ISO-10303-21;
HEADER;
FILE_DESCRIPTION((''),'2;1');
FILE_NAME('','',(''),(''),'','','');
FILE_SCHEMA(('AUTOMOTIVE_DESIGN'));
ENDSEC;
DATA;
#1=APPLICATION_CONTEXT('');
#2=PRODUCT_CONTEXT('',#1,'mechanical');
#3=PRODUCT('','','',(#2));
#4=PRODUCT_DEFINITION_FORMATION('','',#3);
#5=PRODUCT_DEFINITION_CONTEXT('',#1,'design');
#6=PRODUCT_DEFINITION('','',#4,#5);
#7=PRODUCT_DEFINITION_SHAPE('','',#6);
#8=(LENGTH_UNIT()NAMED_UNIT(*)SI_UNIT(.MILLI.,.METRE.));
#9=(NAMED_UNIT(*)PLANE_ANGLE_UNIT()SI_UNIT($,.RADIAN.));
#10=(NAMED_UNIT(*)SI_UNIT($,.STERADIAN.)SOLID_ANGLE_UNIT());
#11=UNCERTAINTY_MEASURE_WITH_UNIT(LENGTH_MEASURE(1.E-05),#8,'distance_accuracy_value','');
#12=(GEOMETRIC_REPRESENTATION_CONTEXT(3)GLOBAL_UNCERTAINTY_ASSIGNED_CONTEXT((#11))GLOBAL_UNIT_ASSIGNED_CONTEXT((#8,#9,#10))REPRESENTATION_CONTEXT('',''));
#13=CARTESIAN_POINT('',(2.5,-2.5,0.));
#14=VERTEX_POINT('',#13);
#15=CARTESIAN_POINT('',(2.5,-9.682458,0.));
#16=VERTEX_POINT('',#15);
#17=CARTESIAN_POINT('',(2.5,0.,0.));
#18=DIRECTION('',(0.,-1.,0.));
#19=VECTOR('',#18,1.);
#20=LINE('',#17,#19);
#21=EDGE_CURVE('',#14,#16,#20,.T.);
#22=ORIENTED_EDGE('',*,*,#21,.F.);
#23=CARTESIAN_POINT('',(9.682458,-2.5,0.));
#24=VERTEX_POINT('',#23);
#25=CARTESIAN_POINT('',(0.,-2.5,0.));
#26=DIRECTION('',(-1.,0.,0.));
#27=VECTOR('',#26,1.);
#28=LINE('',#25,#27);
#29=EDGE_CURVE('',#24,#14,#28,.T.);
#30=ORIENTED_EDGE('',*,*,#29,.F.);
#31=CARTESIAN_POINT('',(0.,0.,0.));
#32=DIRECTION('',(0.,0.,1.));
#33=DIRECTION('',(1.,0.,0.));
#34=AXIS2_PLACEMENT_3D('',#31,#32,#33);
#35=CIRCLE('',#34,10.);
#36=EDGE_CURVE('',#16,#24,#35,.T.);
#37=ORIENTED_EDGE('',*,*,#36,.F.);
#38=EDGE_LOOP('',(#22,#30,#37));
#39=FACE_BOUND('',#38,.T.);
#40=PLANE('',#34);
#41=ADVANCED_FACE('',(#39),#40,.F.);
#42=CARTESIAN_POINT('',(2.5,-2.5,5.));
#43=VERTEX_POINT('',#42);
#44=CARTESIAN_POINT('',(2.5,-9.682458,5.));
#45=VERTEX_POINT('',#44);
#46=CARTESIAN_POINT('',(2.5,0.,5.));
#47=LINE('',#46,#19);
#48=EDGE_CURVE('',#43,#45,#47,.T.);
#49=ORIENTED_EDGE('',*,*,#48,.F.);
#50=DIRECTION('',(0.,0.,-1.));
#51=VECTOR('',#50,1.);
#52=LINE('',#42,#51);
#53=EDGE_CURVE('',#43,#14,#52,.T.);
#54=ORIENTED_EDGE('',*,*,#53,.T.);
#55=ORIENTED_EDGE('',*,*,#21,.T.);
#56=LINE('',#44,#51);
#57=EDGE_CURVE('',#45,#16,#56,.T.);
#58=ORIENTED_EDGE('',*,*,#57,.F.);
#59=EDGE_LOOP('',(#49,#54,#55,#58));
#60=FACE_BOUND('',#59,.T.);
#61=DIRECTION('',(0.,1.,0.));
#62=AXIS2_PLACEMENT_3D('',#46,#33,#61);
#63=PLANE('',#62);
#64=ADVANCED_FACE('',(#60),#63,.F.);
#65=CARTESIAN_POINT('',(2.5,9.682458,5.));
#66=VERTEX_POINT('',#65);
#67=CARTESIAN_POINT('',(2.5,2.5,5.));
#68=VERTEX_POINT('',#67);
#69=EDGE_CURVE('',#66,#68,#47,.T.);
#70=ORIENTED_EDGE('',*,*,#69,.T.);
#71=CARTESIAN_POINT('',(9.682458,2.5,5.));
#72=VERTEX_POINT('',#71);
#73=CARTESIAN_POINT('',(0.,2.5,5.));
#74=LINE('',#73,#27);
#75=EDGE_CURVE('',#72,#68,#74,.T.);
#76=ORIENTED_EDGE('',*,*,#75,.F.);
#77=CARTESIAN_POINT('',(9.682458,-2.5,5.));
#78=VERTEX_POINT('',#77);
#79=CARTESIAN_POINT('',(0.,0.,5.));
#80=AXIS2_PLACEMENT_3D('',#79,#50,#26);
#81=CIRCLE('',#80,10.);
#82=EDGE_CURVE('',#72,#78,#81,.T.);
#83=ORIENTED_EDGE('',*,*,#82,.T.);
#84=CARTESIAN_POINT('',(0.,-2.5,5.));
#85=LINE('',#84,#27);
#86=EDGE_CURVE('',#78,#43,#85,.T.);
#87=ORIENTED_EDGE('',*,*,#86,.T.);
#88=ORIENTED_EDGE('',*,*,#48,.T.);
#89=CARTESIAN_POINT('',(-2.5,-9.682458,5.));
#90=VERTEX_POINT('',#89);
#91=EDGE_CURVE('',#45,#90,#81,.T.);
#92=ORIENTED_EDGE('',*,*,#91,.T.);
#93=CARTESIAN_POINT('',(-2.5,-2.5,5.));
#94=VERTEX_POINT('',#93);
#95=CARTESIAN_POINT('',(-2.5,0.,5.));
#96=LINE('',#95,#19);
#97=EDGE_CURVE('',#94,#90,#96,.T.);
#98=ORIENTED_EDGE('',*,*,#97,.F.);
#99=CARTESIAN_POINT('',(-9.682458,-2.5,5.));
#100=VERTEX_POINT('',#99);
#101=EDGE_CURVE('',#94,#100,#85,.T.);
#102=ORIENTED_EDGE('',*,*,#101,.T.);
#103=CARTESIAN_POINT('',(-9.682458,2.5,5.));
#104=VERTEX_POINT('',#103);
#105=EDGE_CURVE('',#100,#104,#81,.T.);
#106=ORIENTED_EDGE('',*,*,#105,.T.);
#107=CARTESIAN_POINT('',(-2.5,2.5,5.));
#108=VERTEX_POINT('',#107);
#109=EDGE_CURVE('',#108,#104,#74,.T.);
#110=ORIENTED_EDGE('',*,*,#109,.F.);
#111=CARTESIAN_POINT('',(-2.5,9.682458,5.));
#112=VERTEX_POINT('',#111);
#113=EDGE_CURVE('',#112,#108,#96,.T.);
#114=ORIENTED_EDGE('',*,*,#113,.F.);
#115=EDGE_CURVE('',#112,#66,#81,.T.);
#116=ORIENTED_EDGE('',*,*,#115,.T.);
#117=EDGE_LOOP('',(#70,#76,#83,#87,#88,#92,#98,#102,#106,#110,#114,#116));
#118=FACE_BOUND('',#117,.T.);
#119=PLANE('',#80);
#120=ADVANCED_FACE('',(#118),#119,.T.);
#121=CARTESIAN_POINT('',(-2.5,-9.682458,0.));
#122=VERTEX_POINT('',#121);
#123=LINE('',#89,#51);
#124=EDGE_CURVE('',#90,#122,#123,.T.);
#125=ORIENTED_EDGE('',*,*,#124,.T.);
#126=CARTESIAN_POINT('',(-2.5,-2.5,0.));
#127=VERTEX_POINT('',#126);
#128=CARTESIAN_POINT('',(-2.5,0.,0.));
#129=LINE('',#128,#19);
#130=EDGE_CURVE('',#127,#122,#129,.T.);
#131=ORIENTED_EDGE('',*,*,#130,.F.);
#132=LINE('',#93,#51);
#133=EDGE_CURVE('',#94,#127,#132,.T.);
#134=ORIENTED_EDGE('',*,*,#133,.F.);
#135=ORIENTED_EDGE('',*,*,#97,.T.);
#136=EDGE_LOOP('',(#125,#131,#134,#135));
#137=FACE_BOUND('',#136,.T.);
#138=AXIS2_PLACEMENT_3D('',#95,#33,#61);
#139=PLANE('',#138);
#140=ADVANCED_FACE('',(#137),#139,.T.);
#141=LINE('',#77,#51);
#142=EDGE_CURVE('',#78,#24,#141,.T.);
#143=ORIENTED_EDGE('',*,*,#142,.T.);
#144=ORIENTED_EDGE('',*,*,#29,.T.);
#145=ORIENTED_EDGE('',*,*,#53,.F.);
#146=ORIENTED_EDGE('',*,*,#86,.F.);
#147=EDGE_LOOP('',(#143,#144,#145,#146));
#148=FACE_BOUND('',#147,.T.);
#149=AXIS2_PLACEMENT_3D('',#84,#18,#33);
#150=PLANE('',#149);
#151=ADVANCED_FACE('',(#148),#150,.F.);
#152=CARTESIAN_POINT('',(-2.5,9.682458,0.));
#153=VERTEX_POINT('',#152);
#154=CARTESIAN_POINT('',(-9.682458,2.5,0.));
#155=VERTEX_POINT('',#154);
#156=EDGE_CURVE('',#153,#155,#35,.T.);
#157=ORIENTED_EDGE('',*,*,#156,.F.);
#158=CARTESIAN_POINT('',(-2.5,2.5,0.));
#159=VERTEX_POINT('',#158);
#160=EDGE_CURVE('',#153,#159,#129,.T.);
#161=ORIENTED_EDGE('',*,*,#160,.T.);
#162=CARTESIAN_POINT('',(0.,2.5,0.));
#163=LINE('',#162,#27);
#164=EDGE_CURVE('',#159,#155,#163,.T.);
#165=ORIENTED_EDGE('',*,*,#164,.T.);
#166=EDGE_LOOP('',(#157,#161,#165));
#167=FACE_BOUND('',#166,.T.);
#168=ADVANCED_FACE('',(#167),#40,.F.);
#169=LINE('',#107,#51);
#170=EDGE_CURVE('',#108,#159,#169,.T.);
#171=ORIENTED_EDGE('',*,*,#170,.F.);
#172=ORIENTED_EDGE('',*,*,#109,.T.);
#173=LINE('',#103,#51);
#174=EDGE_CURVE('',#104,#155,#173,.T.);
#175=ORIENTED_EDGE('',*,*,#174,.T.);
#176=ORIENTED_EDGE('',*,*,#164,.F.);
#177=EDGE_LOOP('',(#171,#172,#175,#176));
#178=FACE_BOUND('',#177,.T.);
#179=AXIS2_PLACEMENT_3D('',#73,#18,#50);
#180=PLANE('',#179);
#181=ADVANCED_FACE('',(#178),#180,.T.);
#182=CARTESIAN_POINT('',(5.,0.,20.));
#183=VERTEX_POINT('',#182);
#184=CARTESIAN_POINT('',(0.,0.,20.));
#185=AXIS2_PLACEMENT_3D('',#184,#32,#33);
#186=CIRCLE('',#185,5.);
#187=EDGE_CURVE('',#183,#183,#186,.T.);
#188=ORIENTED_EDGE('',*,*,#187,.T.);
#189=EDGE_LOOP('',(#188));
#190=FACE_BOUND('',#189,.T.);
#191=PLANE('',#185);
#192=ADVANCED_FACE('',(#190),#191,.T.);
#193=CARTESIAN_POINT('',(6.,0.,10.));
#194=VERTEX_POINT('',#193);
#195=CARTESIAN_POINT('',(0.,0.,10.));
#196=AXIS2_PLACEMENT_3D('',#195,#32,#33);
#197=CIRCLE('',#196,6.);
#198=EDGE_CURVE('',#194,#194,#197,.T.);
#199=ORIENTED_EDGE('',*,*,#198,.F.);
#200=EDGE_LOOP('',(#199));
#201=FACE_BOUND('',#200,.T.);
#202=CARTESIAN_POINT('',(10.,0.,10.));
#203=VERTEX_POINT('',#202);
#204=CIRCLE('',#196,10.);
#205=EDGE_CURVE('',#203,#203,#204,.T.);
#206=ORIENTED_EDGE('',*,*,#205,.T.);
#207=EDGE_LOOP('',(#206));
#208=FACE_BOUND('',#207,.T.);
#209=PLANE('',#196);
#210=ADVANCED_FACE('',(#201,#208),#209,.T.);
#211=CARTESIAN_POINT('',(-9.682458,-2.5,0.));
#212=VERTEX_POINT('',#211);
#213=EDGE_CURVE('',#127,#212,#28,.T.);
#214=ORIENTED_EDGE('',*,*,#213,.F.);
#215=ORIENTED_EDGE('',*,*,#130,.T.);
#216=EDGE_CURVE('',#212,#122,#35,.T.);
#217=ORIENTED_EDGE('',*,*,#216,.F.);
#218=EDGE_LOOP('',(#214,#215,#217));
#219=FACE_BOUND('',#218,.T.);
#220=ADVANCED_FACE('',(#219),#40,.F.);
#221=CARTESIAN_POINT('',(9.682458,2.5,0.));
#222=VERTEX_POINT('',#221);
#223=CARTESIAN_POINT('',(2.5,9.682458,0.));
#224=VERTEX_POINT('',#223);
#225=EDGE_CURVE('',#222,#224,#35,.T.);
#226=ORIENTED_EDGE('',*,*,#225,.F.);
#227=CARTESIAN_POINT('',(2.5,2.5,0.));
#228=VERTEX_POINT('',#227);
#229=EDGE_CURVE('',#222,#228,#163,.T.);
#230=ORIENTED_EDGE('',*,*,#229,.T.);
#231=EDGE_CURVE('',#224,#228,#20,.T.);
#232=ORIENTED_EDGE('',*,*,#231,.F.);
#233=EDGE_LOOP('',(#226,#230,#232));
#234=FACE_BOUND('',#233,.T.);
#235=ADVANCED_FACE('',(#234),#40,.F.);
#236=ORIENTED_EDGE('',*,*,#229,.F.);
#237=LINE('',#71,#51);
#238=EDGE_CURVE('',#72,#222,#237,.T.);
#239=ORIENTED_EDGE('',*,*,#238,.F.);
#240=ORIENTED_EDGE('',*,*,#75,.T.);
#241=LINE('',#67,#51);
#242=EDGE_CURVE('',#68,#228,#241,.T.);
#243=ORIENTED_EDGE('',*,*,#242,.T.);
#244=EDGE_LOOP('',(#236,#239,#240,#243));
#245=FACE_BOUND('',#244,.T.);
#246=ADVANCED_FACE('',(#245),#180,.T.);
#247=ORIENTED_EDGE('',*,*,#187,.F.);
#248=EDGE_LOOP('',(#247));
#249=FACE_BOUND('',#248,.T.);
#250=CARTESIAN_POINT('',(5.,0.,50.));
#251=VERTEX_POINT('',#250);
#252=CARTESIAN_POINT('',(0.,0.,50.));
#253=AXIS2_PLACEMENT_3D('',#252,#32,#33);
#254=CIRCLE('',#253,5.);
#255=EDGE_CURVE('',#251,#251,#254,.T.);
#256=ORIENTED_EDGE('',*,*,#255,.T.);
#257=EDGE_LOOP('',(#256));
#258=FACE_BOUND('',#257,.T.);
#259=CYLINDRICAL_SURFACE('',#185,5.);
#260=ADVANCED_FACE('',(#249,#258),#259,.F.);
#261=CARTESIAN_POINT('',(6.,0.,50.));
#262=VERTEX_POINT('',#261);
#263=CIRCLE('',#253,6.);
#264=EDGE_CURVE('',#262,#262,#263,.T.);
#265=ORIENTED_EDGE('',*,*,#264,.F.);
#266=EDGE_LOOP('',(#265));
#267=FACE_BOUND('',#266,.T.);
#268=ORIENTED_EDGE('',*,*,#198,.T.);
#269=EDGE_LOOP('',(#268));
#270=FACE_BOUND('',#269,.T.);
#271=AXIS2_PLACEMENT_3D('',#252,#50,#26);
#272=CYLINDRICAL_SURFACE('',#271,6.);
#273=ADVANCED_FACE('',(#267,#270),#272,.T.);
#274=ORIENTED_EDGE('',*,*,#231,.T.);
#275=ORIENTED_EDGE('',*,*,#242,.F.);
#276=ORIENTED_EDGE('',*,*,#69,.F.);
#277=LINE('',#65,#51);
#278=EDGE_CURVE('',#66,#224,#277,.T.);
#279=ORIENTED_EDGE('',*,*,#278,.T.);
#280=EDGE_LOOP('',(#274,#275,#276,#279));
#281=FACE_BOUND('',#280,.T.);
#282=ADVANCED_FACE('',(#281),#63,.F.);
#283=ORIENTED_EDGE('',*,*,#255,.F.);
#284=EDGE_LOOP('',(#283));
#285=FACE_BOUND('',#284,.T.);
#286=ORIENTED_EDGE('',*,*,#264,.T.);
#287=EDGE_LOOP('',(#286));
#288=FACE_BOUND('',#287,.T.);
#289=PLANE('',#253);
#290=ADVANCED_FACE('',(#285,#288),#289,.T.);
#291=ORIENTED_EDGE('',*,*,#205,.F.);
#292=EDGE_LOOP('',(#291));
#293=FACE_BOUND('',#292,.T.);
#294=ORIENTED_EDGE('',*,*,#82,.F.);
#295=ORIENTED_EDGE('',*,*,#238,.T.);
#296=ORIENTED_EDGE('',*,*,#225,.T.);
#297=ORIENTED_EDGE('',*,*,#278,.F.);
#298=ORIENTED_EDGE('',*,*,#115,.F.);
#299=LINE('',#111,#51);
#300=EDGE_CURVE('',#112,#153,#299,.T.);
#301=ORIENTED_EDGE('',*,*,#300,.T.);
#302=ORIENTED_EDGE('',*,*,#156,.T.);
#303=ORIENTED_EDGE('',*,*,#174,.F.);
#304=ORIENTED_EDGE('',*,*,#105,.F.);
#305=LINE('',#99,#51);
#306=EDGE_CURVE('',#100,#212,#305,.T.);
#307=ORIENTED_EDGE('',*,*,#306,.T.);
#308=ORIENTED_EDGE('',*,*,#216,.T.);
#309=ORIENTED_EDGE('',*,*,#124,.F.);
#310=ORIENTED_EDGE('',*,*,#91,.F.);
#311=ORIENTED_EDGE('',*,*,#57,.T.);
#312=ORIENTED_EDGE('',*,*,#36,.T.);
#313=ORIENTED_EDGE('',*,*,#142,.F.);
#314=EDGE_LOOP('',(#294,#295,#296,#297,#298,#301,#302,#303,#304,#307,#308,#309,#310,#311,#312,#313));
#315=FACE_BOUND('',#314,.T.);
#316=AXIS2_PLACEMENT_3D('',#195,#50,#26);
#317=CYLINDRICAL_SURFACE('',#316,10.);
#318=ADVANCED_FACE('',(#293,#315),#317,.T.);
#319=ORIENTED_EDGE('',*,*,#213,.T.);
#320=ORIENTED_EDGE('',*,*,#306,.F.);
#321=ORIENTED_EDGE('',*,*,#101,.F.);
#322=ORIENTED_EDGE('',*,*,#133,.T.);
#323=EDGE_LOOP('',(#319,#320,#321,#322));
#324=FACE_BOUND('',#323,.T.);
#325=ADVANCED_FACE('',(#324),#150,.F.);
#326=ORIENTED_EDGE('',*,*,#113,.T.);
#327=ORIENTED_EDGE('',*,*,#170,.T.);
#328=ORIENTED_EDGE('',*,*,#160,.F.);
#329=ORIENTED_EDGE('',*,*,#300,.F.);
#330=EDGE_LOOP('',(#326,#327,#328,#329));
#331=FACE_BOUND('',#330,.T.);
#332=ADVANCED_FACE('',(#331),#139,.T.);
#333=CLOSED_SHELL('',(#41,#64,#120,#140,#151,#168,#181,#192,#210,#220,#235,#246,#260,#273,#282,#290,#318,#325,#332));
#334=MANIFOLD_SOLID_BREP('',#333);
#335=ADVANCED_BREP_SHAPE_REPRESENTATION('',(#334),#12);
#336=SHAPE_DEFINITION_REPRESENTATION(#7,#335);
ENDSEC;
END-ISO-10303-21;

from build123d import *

# Parameters (mm, degrees)
ESQUISSE1_R             = 10
BOSS_EXTRU_1_DEPTH      = 10
ESQUISSE2_R             = 6
BOSS_EXTRU_2_DEPTH      = 40
ESQUISSE3_R             = 5
ENL_V_MAT_EXTRU_1_DEPTH = 30
ESQUISSE5_W             = 5
ESQUISSE5_H             = 5
ENL_V_MAT_EXTRU_2_DEPTH = 5


with BuildPart() as part:
    # Esquisse1 → Boss.-Extru.1 (new body)
    with BuildSketch(Plane.XY):
        Circle(ESQUISSE1_R)
    extrude(amount=BOSS_EXTRU_1_DEPTH)

    # Esquisse2 → Boss.-Extru.2 (add)
    with BuildSketch(Plane.XY.offset(10)):
        Circle(ESQUISSE2_R)
    extrude(amount=BOSS_EXTRU_2_DEPTH)

    # Esquisse3 → Enlèv. mat.-Extru.1 (cut)
    with BuildSketch(Plane.XY.offset(50)):
        Circle(ESQUISSE3_R)
    extrude(amount=-ENL_V_MAT_EXTRU_1_DEPTH, mode=Mode.SUBTRACT)

    # Esquisse5 → Enlèv. mat.-Extru.2 (cut)
    with BuildSketch(Plane(origin=(0, 0, 0), x_dir=(-1, 0, 0), z_dir=(0, 0, -1))):
        with BuildLine():
            Line((-2.5, 9.682458366), (-2.5, 2.5))
            Line((-2.5, 2.5), (2.5, 2.5))
            Line((2.5, 2.5), (2.5, 9.682458366))
            ThreePointArc((2.5, 9.682458366), (1.260042925, 9.920296963), (0, 10))
            ThreePointArc((0, 10), (-1.260042925, 9.920296963), (-2.5, 9.682458366))
        make_face()
        with BuildLine():
            Line((-2.5, 2.5), (-9.682458366, 2.5))
            ThreePointArc((-9.682458366, 2.5), (-9.920296963, 1.260042925), (-10, 0))
            ThreePointArc((-10, 0), (-9.920296963, -1.260042925), (-9.682458366, -2.5))
            Line((-9.682458366, -2.5), (-2.5, -2.5))
            Line((-2.5, -2.5), (-2.5, 2.5))
        make_face()
        Rectangle(ESQUISSE5_W, ESQUISSE5_H)
        with BuildLine():
            Line((9.682458366, 2.5), (2.5, 2.5))
            Line((2.5, 2.5), (2.5, -2.5))
            Line((2.5, -2.5), (9.682458366, -2.5))
            ThreePointArc((9.682458366, -2.5), (9.920296963, -1.260042925), (10, 0))
            ThreePointArc((10, 0), (9.920296963, 1.260042925), (9.682458366, 2.5))
        make_face()
        with BuildLine():
            Line((2.5, -2.5), (-2.5, -2.5))
            Line((-2.5, -2.5), (-2.5, -9.682458366))
            ThreePointArc((-2.5, -9.682458366), (-1.260042925, -9.920296963), (0, -10))
            ThreePointArc((0, -10), (1.260042925, -9.920296963), (2.5, -9.682458366))
            Line((2.5, -9.682458366), (2.5, -2.5))
        make_face()
    extrude(amount=-ENL_V_MAT_EXTRU_2_DEPTH, mode=Mode.SUBTRACT)


solid = part.part
